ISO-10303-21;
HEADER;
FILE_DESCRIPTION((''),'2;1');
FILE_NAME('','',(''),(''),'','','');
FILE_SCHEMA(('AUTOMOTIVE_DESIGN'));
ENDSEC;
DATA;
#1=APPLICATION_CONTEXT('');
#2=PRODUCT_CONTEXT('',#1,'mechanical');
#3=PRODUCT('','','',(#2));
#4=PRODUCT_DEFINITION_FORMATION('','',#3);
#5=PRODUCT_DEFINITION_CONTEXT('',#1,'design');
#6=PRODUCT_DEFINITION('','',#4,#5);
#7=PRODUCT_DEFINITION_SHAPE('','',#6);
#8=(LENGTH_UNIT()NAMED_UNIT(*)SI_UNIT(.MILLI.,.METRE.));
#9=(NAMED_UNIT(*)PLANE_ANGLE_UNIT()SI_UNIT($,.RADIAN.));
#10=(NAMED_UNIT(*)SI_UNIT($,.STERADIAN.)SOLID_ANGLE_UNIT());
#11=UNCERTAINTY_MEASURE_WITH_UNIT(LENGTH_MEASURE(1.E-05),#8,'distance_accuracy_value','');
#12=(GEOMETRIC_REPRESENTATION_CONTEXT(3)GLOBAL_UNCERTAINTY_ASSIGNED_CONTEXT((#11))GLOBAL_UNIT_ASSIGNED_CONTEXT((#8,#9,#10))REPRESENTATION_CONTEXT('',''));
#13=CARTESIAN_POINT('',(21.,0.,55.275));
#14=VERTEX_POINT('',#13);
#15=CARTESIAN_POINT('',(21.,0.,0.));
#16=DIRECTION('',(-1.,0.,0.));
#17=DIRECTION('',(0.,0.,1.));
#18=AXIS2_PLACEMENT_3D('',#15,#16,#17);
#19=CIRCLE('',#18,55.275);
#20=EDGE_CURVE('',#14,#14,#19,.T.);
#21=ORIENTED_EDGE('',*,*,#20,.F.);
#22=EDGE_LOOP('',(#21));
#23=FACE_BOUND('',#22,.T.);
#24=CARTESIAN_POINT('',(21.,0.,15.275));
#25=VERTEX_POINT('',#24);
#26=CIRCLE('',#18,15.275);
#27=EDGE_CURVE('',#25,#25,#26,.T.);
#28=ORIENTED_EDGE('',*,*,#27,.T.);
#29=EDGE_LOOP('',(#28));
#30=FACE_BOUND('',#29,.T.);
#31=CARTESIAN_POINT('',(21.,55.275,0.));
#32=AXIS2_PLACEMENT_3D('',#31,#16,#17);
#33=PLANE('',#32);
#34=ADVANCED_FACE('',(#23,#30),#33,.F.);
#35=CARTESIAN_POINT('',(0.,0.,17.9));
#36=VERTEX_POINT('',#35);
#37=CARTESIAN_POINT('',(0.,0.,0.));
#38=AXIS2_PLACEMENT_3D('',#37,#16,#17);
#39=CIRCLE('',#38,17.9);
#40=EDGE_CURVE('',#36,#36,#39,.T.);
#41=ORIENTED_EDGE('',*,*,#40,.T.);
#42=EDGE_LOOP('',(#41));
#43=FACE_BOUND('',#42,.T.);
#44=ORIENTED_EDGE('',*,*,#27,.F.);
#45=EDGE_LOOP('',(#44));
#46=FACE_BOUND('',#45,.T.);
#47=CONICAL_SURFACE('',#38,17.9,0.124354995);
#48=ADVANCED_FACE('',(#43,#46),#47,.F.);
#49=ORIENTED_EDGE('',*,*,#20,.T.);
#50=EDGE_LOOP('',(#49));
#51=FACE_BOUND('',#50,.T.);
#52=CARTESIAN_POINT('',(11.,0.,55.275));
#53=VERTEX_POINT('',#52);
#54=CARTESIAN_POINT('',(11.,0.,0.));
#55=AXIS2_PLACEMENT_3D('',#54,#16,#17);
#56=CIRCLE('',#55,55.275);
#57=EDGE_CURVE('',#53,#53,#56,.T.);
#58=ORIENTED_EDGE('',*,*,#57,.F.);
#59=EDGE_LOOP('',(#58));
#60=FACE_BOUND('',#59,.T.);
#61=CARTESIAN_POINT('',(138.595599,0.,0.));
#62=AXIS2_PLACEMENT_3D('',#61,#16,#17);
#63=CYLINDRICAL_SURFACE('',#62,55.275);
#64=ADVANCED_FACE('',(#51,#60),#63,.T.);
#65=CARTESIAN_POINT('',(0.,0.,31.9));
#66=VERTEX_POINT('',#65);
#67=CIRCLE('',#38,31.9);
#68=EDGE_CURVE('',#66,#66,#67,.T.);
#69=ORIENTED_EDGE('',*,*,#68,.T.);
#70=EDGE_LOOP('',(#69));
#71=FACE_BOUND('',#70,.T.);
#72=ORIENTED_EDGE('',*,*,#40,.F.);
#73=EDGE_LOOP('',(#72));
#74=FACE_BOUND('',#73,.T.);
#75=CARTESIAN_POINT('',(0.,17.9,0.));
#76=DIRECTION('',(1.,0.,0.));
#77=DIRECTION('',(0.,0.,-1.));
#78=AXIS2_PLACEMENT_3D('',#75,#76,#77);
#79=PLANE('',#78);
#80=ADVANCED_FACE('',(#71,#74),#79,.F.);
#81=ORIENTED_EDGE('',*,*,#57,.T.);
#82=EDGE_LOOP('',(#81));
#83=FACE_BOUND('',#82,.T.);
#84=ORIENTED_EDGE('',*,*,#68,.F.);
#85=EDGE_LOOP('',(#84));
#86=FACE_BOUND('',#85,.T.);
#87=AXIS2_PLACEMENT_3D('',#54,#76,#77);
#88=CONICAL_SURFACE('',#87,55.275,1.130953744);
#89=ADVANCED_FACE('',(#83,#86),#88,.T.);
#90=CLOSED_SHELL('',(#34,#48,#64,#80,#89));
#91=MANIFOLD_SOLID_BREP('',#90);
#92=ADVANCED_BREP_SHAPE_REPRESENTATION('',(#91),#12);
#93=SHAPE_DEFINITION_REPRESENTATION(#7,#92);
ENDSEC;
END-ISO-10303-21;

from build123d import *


with BuildPart() as part:
    # Esquisse1 → Révolution1 (revolve)
    with BuildSketch(Plane(origin=(191.924039025, -30.484219269, 0), x_dir=(1, 0, 0), z_dir=(0, 0, 1)), mode=Mode.PRIVATE) as r_volution1_sk:
        Polygon((-191.924039025, 48.384219269), (-191.924039025, 62.384219269), (-180.924039025, 85.759219269), (-170.924039025, 85.759219269), (-170.924039025, 45.759219269), align=None)
    revolve(r_volution1_sk.sketch.rotate(Axis((138.595599426, 0, 0), (1, 0, 0)), 90), axis=Axis((138.595599426, 0, 0), (1, 0, 0)))


solid = part.part
